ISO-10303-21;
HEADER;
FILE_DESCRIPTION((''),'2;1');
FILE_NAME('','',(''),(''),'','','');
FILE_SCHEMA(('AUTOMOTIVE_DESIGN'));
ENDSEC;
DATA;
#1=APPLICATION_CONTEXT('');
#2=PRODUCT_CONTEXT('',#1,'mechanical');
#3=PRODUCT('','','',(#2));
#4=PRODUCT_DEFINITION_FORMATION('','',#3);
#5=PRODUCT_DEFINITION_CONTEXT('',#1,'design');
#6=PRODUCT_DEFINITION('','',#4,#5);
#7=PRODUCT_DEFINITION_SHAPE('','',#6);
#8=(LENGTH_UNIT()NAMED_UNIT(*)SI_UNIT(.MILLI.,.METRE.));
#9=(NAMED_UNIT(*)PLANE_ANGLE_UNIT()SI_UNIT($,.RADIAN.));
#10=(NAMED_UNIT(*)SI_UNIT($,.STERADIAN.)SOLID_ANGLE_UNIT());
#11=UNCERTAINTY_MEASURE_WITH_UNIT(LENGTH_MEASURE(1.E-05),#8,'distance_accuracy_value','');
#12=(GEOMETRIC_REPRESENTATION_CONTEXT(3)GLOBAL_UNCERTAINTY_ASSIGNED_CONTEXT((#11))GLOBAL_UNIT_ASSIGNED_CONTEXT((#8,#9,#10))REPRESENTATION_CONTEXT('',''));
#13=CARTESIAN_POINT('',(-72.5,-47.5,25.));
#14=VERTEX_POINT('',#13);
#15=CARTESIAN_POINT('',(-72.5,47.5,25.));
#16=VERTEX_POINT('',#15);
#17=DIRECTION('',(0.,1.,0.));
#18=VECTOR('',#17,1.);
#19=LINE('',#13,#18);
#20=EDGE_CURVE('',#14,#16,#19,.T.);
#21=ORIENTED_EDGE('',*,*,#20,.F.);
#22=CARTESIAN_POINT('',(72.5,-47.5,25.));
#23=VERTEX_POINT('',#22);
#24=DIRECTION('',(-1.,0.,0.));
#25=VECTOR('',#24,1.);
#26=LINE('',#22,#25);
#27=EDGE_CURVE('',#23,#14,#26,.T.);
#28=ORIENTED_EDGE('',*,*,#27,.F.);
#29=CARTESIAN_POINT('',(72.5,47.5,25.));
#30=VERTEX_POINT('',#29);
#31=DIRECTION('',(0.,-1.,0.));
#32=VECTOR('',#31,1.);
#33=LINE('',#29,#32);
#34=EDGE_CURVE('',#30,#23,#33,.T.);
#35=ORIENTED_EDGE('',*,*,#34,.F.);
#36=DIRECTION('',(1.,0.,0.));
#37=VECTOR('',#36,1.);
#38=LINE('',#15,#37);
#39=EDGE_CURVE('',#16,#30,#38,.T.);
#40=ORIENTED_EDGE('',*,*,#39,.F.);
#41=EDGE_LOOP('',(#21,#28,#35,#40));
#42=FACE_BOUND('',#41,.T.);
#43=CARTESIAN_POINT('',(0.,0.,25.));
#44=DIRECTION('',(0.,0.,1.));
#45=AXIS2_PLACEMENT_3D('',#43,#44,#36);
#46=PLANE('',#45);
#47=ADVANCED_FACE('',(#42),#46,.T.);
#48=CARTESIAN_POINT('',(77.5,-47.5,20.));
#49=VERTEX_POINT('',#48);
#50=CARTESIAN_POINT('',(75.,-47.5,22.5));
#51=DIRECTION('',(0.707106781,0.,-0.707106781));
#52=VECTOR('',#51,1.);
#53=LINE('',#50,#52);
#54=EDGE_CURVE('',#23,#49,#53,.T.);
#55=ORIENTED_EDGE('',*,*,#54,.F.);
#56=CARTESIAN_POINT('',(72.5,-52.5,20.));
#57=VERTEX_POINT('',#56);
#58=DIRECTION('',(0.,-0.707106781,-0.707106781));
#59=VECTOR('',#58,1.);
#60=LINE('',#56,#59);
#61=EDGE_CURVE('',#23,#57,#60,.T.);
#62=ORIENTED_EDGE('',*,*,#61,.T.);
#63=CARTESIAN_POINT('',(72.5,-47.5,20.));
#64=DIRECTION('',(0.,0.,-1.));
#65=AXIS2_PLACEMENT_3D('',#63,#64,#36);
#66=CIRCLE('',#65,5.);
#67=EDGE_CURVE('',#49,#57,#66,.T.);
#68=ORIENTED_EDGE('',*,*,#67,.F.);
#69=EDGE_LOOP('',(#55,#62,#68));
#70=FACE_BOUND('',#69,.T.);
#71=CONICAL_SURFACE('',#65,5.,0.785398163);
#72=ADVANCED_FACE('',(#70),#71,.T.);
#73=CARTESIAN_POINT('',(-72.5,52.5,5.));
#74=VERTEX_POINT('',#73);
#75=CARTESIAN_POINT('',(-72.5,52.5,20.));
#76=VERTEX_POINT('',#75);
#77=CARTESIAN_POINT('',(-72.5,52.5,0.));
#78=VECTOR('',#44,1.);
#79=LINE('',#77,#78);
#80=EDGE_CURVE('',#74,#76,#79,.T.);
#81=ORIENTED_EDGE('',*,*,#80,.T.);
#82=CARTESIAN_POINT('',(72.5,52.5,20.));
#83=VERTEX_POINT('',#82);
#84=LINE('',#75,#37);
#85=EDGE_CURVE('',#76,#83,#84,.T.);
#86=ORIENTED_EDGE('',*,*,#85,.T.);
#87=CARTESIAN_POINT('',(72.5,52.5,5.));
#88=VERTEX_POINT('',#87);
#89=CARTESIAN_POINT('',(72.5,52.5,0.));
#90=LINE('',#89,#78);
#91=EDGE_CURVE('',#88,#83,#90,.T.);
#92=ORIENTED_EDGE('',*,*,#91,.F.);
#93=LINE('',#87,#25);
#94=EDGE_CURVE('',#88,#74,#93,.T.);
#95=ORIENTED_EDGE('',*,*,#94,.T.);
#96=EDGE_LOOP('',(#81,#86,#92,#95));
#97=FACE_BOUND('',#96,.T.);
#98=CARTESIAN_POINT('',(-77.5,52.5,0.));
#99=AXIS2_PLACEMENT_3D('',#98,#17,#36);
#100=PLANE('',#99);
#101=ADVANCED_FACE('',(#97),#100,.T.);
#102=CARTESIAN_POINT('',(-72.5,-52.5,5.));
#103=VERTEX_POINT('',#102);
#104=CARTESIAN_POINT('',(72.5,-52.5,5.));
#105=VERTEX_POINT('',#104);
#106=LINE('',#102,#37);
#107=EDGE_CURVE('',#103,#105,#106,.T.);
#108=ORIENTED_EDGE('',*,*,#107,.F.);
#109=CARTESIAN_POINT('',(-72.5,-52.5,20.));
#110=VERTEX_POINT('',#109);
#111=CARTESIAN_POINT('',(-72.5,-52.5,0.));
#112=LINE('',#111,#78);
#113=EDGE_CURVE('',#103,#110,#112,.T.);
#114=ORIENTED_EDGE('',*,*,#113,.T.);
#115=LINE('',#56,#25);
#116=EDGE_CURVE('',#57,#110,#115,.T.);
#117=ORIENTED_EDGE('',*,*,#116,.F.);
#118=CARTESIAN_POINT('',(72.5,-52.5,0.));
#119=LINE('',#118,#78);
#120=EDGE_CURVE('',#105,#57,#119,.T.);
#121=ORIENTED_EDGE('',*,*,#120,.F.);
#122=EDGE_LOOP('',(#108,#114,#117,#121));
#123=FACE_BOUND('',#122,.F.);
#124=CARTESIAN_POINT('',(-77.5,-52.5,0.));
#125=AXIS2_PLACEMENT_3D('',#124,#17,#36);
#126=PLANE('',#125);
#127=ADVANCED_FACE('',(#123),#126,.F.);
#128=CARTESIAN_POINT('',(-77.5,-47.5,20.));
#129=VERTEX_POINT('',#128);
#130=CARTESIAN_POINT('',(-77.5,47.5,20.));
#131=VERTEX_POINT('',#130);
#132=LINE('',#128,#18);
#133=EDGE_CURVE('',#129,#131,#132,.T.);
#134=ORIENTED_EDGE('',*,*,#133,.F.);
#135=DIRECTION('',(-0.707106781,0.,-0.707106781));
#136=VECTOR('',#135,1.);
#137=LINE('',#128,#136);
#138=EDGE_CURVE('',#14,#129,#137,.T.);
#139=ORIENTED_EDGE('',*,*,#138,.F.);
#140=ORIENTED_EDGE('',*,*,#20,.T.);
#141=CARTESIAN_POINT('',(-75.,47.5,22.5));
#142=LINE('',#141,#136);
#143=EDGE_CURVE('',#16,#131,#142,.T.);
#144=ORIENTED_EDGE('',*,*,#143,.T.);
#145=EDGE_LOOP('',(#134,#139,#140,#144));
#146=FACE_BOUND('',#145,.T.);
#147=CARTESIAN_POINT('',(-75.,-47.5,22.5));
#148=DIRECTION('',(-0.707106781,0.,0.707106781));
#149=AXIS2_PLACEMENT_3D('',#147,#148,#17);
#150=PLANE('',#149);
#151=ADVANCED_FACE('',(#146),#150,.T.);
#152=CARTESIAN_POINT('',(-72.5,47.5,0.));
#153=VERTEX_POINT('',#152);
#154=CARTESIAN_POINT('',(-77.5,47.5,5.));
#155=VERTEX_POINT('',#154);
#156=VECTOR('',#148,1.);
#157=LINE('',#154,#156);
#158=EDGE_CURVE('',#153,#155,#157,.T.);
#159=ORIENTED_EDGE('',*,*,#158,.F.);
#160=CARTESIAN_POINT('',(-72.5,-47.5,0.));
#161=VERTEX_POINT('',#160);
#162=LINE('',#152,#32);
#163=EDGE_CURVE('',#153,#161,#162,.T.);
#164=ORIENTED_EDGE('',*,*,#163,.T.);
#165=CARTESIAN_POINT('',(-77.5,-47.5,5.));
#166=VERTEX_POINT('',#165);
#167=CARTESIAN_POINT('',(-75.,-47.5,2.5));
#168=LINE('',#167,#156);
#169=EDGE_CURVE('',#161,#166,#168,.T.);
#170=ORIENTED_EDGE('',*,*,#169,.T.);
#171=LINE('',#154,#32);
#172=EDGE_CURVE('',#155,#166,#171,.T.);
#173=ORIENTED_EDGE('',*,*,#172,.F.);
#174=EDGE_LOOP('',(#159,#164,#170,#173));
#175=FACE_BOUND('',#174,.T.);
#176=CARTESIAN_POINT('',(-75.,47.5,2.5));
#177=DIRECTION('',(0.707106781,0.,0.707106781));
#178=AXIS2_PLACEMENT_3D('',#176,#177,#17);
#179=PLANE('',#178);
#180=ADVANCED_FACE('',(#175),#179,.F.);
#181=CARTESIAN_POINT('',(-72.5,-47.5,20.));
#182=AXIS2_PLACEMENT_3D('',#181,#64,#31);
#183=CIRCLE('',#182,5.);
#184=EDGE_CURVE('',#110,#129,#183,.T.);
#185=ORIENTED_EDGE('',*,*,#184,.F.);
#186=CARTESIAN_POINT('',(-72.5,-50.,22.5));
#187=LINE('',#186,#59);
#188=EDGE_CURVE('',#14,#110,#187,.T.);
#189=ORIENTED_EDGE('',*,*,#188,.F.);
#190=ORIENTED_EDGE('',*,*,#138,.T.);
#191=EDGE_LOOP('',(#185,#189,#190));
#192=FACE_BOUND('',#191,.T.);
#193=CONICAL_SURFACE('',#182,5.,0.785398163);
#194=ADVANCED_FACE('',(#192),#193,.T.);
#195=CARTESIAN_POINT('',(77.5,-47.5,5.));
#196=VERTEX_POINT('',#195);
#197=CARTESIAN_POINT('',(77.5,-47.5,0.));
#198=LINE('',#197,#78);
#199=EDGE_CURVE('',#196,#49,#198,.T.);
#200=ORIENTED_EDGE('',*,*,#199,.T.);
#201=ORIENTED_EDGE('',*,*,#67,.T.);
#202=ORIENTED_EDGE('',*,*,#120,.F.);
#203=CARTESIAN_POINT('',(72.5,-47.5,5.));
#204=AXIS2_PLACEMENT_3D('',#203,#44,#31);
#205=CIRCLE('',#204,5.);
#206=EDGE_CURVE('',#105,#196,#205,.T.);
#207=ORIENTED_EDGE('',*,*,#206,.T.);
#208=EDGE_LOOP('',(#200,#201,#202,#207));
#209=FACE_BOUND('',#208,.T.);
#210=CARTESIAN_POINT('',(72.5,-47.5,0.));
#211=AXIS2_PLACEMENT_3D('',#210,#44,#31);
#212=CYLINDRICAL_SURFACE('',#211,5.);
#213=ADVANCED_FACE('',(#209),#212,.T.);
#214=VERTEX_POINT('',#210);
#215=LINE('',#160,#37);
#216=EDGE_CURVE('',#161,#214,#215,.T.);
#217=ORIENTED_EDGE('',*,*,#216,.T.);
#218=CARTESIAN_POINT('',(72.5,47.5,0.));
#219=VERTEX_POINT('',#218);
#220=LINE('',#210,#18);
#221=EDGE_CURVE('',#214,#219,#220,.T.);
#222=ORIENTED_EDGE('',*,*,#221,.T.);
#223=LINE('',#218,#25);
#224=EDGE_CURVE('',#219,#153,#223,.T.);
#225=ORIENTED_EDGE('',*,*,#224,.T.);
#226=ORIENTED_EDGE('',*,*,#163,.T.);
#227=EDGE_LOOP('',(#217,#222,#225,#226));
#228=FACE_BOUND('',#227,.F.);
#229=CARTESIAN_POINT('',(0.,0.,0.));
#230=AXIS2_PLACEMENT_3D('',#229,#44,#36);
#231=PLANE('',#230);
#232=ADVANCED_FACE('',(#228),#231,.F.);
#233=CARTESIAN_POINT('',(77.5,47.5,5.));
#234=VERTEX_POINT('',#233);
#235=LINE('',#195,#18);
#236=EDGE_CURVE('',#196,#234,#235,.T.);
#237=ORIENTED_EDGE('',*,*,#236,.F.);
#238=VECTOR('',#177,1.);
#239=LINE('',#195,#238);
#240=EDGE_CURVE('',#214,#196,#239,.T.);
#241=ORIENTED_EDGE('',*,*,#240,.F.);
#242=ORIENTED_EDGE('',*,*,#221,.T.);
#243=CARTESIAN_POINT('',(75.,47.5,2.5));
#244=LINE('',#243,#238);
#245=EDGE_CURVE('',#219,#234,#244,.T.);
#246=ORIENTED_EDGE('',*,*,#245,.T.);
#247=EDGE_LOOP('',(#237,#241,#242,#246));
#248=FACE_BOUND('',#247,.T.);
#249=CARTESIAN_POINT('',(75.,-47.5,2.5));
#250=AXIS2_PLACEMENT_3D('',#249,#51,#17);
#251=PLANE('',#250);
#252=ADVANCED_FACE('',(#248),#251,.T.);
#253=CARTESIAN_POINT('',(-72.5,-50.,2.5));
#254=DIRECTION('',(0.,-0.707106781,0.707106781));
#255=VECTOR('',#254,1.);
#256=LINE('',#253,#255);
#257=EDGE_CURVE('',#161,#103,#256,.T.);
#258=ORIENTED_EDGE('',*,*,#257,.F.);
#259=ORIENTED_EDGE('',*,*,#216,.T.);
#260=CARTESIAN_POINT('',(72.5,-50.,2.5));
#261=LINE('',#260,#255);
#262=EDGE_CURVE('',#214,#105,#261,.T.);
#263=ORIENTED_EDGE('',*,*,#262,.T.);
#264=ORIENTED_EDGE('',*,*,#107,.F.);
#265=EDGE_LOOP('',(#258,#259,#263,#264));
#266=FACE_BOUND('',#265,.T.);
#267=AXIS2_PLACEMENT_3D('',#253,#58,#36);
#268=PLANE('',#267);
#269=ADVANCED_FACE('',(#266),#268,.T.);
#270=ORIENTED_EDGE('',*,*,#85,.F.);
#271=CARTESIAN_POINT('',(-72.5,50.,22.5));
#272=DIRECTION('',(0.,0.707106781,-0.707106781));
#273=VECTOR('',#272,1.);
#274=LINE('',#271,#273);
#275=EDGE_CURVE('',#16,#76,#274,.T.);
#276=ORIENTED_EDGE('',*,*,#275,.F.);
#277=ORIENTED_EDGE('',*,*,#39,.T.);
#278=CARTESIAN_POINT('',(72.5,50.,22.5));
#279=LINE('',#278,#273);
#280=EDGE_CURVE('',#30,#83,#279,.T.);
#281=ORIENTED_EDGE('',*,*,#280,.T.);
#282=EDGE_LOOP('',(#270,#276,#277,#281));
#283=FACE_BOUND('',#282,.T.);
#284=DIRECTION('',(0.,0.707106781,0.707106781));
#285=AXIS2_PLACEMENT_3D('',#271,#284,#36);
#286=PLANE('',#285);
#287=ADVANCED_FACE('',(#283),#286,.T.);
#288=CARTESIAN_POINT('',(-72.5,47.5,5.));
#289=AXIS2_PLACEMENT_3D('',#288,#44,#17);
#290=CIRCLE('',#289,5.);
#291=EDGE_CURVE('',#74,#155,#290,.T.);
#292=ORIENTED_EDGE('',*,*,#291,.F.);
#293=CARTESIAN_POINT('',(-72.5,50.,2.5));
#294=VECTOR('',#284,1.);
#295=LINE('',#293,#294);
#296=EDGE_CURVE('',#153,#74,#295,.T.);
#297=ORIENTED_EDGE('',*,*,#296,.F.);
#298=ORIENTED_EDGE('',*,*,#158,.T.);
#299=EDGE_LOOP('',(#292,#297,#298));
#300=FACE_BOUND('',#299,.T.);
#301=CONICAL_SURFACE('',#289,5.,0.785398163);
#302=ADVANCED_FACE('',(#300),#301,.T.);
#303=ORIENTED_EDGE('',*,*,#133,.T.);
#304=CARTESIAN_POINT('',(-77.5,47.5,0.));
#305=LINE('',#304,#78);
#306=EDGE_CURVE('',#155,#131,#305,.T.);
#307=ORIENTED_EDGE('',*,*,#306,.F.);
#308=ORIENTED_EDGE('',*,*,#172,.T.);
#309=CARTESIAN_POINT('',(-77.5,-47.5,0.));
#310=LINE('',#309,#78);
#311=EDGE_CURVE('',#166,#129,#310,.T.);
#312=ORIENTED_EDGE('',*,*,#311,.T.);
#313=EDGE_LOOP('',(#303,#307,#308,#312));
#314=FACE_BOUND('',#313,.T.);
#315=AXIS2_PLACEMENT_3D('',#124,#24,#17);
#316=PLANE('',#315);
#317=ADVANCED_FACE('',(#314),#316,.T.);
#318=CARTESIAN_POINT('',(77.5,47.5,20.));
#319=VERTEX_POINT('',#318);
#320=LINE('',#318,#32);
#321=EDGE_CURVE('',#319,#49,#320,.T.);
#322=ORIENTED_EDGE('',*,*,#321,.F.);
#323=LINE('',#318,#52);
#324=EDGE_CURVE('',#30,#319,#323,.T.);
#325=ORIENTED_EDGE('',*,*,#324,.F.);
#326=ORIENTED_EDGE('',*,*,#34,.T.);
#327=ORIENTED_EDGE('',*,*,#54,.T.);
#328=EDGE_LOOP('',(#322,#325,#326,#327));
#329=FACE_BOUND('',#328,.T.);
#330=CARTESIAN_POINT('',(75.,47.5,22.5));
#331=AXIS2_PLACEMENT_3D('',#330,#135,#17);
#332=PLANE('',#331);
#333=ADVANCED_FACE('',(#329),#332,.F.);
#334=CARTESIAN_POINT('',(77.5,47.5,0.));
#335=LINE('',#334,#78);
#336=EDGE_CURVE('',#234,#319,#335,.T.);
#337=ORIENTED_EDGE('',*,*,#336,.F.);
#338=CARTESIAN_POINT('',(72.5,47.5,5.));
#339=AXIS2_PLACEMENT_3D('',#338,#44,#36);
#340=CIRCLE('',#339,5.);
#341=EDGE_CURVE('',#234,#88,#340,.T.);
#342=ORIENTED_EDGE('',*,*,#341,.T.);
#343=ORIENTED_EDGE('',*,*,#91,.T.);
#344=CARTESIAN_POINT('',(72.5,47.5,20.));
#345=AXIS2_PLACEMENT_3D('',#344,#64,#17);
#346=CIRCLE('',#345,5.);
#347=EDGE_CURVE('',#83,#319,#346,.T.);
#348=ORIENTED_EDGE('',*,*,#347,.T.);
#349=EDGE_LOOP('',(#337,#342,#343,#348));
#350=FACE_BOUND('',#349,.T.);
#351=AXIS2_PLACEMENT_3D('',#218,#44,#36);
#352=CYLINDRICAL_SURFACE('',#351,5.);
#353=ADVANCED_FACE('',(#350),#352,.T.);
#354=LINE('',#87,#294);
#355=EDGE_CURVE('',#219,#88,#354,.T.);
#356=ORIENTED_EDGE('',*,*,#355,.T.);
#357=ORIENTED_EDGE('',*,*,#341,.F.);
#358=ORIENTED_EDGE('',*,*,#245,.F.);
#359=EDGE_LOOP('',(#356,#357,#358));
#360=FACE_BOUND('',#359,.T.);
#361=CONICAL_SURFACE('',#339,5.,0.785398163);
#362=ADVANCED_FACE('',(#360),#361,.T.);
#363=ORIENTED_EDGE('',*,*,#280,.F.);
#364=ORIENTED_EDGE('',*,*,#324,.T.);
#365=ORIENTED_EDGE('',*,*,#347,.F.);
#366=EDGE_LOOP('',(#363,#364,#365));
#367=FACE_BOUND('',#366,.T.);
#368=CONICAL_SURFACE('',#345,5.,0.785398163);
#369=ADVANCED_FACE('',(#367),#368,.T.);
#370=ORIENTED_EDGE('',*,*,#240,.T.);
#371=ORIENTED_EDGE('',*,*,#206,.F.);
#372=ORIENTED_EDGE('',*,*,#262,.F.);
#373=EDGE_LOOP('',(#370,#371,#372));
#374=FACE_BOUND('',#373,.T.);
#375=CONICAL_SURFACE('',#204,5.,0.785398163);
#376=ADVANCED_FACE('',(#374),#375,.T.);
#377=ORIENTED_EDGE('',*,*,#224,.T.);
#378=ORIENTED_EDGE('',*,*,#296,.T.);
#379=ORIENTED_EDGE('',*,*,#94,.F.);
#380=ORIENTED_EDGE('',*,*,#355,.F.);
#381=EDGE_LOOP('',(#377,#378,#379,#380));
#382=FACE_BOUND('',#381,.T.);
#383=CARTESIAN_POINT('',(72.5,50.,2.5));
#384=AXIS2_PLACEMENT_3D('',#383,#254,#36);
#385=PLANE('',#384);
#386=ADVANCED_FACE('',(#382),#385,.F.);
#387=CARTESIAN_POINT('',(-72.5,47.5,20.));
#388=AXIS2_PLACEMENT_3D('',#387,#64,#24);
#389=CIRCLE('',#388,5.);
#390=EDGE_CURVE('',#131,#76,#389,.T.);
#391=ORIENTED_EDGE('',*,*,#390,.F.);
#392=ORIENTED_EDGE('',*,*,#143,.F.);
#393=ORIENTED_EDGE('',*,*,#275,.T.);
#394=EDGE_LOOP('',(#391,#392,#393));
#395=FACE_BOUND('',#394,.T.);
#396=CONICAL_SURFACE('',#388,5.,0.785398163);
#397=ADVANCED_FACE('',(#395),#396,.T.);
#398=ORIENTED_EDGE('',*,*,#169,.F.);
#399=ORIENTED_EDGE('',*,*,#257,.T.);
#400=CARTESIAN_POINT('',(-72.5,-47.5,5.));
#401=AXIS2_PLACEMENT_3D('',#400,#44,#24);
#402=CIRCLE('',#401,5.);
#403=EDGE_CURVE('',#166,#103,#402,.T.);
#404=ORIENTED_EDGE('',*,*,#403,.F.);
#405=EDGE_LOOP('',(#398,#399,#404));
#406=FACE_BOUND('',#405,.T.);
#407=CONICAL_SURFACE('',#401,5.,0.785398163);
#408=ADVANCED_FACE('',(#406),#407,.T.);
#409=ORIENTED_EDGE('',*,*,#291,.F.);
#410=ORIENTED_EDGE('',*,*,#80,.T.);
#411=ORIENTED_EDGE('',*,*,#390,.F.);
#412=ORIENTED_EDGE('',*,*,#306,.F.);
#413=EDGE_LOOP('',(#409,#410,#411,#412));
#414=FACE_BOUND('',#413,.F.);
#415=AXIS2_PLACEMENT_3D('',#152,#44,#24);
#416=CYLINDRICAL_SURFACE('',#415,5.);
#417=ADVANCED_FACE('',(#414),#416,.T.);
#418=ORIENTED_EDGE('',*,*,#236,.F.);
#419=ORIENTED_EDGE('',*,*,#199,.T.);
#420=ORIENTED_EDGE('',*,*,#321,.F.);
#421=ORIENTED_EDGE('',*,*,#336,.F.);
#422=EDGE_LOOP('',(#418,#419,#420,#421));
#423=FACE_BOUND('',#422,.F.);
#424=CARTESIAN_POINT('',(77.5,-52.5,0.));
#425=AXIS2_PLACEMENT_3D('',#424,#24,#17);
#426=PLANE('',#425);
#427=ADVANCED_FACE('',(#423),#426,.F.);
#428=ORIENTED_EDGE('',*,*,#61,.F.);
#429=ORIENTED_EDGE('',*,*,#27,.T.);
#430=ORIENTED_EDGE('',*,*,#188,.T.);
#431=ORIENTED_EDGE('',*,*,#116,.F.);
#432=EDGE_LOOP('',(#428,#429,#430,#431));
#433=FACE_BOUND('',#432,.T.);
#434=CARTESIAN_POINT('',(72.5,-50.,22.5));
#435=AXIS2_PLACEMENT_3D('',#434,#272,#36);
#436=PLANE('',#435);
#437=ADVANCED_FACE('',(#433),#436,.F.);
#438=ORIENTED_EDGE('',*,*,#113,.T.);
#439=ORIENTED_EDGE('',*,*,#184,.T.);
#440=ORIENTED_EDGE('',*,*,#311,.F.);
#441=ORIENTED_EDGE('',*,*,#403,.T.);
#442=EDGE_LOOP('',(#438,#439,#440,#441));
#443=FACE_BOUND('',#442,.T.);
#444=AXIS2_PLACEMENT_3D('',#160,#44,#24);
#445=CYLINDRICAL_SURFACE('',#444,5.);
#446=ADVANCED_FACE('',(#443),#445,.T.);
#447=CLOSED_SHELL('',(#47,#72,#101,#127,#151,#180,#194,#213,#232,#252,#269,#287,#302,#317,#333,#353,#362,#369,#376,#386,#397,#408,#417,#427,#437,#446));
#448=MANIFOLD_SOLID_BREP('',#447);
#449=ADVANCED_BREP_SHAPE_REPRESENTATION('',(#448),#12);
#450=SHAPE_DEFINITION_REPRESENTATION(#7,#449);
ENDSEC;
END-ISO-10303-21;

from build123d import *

# Parameters (mm, degrees)
F0_W     = 155
F0_H     = 105
F1_DEPTH = 25
F2_R     = 5
F3_SIZE  = 5


with BuildPart() as f1:
    # F0 (on Top) → F1 (new body)
    with BuildSketch(Plane.XY):
        Rectangle(F0_W, F0_H)
    extrude(amount=F1_DEPTH)

    # F2
    f2_edges = [f1.edges().sort_by_distance(p)[0] for p in [
        (-77.5, -52.5, 12.5),
        (-77.5, 52.5, 12.5),
        (77.5, -52.5, 12.5),
        (77.5, 52.5, 12.5),
    ]]
    fillet(f2_edges, radius=F2_R)

    # F3
    f3_edges = [f1.edges().sort_by_distance(p)[0] for p in [
        (0, 52.5, 25),
        (0, -52.5, 0),
    ]]
    chamfer(f3_edges, length=F3_SIZE)


solid = f1.part
